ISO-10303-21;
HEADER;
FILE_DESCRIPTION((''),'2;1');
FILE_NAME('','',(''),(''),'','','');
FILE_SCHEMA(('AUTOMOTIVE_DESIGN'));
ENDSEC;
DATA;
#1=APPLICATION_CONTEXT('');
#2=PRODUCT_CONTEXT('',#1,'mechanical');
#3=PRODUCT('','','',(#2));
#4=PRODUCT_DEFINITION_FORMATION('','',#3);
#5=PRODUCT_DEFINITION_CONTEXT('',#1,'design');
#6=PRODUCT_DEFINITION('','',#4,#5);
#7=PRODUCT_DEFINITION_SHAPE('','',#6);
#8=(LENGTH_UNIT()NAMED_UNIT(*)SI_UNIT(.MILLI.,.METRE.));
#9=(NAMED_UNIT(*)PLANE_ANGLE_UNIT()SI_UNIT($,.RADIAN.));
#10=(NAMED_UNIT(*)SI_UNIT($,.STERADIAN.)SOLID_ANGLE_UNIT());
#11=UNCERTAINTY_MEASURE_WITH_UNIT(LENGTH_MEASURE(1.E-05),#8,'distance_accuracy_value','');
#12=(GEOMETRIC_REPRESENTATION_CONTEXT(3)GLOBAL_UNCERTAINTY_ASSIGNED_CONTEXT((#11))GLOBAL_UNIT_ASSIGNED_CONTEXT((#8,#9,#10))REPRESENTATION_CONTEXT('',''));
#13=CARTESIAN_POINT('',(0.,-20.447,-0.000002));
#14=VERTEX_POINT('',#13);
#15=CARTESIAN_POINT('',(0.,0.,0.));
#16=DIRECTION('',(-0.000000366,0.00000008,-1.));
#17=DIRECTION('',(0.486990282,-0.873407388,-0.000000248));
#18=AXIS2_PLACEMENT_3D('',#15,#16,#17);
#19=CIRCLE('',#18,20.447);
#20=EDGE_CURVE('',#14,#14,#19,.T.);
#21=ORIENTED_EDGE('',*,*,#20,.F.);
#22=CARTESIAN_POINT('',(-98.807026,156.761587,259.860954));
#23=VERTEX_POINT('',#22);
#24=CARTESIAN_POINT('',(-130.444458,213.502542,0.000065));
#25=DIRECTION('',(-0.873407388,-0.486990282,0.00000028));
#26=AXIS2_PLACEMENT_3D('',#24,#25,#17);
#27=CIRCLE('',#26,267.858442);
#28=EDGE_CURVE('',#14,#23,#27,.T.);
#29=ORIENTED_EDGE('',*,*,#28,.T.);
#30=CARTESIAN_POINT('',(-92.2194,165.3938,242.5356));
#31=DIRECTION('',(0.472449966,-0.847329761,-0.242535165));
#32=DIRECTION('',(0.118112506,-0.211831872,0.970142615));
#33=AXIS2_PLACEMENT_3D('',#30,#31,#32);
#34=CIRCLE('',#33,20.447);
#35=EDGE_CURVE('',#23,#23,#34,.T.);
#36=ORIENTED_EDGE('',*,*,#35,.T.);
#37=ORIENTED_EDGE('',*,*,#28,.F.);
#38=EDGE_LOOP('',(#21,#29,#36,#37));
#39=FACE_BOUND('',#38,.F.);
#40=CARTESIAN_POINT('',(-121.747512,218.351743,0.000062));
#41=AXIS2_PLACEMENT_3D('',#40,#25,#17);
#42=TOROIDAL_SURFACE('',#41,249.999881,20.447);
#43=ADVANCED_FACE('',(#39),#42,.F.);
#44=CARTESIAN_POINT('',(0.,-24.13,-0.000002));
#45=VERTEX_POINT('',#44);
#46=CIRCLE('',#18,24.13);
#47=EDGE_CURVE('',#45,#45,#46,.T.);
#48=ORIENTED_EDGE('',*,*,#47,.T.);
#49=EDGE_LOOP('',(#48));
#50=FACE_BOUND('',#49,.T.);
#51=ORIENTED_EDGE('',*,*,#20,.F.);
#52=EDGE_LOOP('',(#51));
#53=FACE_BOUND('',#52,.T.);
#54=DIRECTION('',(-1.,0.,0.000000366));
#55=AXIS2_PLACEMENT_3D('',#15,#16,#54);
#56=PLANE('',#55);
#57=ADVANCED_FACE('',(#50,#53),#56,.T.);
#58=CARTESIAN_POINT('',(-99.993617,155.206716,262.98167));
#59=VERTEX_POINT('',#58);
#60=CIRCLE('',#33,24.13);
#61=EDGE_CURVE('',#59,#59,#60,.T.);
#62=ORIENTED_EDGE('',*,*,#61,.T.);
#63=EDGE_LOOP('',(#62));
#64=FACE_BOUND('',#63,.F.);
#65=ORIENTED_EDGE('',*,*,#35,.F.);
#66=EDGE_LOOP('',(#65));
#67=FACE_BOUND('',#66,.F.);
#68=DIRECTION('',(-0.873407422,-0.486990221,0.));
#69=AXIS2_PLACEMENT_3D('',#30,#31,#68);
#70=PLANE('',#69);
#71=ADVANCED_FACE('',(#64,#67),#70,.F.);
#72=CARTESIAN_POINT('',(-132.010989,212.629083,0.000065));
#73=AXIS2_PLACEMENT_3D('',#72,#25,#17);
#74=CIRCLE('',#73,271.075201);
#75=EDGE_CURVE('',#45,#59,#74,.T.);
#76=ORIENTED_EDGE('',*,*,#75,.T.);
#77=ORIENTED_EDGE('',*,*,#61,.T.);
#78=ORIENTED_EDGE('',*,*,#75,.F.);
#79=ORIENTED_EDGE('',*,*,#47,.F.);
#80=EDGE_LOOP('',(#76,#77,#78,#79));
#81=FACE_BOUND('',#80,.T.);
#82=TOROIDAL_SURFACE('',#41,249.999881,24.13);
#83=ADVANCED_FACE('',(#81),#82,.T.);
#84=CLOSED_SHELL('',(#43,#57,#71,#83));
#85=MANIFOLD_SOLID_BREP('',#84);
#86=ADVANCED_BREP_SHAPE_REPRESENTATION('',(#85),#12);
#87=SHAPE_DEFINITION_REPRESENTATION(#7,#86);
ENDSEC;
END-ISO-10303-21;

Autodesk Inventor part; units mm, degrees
ref_plane "Start Plane" through (0, 0, 0) normal (0, 0, 1) x (1, 0, 0)
ref_plane "End Plane" through (0, 0, 331.4544) normal (0, 0, 1) x (1, 0, 0)
sketch "Sketch" plane through (0, 0, 0) normal (0, 0, -1) x (0, -1, 0)
  circle A0 centre (0, 0) radius 20.447
  circle A1 centre (0, 0) radius 24.13
  dimension "d0" = 48.26
  dimension "d1" = 3.683
sketch "Sketch3" plane through (0, 0, 0) normal (0, 0, 1) x (1, 0, 0)
  line L0 (0, 0) -> (10, 0)
ref_plane "Work Plane3" through (0, 0, 0) normal (0, -1, 0) x (1, 0, 0)
ref_plane "Orientation Work Plane" through (0, 0, 0) normal (0, 0, -1) x (0, -1, 0)
sketch3d "Sweep Path"
  arc A0 (0, 0, 0) -> (-92.2194, 165.3938, 242.5356) centre (-121.7476, 218.3519, 0) ccw
sweep "Body" add profiles "Sketch" path "Sweep Path"
sketch "Sketch4" plane through (0, 0, 0) normal (0, -1, 0) x (1, 0, 0)
  line L0 (-2, 0) -> (12, 0) projected
  line L1 (-141.0099, 331.4544) -> (51.6533, 331.4544) projected
  dimension "d7" = 331.4544
equation "\"d0\" = G_H"
equation "\"d1\" = G_T"
equation "\"G_H\" = 48.26"
equation "\"G_T\" = 3.683"
equation "\"G_L\" = d7"
equation "\"G_OFFSET_START\" = 0"
equation "\"G_OFFSET_END\" = 0"
equation "\"d5\" = G_OFFSET_END + B_L"
equation "\"B_L\" = 331.45442"
properties part number "ANSI - 1 1/2 x 0.145 - 13.049" material "Steel, Mild"
